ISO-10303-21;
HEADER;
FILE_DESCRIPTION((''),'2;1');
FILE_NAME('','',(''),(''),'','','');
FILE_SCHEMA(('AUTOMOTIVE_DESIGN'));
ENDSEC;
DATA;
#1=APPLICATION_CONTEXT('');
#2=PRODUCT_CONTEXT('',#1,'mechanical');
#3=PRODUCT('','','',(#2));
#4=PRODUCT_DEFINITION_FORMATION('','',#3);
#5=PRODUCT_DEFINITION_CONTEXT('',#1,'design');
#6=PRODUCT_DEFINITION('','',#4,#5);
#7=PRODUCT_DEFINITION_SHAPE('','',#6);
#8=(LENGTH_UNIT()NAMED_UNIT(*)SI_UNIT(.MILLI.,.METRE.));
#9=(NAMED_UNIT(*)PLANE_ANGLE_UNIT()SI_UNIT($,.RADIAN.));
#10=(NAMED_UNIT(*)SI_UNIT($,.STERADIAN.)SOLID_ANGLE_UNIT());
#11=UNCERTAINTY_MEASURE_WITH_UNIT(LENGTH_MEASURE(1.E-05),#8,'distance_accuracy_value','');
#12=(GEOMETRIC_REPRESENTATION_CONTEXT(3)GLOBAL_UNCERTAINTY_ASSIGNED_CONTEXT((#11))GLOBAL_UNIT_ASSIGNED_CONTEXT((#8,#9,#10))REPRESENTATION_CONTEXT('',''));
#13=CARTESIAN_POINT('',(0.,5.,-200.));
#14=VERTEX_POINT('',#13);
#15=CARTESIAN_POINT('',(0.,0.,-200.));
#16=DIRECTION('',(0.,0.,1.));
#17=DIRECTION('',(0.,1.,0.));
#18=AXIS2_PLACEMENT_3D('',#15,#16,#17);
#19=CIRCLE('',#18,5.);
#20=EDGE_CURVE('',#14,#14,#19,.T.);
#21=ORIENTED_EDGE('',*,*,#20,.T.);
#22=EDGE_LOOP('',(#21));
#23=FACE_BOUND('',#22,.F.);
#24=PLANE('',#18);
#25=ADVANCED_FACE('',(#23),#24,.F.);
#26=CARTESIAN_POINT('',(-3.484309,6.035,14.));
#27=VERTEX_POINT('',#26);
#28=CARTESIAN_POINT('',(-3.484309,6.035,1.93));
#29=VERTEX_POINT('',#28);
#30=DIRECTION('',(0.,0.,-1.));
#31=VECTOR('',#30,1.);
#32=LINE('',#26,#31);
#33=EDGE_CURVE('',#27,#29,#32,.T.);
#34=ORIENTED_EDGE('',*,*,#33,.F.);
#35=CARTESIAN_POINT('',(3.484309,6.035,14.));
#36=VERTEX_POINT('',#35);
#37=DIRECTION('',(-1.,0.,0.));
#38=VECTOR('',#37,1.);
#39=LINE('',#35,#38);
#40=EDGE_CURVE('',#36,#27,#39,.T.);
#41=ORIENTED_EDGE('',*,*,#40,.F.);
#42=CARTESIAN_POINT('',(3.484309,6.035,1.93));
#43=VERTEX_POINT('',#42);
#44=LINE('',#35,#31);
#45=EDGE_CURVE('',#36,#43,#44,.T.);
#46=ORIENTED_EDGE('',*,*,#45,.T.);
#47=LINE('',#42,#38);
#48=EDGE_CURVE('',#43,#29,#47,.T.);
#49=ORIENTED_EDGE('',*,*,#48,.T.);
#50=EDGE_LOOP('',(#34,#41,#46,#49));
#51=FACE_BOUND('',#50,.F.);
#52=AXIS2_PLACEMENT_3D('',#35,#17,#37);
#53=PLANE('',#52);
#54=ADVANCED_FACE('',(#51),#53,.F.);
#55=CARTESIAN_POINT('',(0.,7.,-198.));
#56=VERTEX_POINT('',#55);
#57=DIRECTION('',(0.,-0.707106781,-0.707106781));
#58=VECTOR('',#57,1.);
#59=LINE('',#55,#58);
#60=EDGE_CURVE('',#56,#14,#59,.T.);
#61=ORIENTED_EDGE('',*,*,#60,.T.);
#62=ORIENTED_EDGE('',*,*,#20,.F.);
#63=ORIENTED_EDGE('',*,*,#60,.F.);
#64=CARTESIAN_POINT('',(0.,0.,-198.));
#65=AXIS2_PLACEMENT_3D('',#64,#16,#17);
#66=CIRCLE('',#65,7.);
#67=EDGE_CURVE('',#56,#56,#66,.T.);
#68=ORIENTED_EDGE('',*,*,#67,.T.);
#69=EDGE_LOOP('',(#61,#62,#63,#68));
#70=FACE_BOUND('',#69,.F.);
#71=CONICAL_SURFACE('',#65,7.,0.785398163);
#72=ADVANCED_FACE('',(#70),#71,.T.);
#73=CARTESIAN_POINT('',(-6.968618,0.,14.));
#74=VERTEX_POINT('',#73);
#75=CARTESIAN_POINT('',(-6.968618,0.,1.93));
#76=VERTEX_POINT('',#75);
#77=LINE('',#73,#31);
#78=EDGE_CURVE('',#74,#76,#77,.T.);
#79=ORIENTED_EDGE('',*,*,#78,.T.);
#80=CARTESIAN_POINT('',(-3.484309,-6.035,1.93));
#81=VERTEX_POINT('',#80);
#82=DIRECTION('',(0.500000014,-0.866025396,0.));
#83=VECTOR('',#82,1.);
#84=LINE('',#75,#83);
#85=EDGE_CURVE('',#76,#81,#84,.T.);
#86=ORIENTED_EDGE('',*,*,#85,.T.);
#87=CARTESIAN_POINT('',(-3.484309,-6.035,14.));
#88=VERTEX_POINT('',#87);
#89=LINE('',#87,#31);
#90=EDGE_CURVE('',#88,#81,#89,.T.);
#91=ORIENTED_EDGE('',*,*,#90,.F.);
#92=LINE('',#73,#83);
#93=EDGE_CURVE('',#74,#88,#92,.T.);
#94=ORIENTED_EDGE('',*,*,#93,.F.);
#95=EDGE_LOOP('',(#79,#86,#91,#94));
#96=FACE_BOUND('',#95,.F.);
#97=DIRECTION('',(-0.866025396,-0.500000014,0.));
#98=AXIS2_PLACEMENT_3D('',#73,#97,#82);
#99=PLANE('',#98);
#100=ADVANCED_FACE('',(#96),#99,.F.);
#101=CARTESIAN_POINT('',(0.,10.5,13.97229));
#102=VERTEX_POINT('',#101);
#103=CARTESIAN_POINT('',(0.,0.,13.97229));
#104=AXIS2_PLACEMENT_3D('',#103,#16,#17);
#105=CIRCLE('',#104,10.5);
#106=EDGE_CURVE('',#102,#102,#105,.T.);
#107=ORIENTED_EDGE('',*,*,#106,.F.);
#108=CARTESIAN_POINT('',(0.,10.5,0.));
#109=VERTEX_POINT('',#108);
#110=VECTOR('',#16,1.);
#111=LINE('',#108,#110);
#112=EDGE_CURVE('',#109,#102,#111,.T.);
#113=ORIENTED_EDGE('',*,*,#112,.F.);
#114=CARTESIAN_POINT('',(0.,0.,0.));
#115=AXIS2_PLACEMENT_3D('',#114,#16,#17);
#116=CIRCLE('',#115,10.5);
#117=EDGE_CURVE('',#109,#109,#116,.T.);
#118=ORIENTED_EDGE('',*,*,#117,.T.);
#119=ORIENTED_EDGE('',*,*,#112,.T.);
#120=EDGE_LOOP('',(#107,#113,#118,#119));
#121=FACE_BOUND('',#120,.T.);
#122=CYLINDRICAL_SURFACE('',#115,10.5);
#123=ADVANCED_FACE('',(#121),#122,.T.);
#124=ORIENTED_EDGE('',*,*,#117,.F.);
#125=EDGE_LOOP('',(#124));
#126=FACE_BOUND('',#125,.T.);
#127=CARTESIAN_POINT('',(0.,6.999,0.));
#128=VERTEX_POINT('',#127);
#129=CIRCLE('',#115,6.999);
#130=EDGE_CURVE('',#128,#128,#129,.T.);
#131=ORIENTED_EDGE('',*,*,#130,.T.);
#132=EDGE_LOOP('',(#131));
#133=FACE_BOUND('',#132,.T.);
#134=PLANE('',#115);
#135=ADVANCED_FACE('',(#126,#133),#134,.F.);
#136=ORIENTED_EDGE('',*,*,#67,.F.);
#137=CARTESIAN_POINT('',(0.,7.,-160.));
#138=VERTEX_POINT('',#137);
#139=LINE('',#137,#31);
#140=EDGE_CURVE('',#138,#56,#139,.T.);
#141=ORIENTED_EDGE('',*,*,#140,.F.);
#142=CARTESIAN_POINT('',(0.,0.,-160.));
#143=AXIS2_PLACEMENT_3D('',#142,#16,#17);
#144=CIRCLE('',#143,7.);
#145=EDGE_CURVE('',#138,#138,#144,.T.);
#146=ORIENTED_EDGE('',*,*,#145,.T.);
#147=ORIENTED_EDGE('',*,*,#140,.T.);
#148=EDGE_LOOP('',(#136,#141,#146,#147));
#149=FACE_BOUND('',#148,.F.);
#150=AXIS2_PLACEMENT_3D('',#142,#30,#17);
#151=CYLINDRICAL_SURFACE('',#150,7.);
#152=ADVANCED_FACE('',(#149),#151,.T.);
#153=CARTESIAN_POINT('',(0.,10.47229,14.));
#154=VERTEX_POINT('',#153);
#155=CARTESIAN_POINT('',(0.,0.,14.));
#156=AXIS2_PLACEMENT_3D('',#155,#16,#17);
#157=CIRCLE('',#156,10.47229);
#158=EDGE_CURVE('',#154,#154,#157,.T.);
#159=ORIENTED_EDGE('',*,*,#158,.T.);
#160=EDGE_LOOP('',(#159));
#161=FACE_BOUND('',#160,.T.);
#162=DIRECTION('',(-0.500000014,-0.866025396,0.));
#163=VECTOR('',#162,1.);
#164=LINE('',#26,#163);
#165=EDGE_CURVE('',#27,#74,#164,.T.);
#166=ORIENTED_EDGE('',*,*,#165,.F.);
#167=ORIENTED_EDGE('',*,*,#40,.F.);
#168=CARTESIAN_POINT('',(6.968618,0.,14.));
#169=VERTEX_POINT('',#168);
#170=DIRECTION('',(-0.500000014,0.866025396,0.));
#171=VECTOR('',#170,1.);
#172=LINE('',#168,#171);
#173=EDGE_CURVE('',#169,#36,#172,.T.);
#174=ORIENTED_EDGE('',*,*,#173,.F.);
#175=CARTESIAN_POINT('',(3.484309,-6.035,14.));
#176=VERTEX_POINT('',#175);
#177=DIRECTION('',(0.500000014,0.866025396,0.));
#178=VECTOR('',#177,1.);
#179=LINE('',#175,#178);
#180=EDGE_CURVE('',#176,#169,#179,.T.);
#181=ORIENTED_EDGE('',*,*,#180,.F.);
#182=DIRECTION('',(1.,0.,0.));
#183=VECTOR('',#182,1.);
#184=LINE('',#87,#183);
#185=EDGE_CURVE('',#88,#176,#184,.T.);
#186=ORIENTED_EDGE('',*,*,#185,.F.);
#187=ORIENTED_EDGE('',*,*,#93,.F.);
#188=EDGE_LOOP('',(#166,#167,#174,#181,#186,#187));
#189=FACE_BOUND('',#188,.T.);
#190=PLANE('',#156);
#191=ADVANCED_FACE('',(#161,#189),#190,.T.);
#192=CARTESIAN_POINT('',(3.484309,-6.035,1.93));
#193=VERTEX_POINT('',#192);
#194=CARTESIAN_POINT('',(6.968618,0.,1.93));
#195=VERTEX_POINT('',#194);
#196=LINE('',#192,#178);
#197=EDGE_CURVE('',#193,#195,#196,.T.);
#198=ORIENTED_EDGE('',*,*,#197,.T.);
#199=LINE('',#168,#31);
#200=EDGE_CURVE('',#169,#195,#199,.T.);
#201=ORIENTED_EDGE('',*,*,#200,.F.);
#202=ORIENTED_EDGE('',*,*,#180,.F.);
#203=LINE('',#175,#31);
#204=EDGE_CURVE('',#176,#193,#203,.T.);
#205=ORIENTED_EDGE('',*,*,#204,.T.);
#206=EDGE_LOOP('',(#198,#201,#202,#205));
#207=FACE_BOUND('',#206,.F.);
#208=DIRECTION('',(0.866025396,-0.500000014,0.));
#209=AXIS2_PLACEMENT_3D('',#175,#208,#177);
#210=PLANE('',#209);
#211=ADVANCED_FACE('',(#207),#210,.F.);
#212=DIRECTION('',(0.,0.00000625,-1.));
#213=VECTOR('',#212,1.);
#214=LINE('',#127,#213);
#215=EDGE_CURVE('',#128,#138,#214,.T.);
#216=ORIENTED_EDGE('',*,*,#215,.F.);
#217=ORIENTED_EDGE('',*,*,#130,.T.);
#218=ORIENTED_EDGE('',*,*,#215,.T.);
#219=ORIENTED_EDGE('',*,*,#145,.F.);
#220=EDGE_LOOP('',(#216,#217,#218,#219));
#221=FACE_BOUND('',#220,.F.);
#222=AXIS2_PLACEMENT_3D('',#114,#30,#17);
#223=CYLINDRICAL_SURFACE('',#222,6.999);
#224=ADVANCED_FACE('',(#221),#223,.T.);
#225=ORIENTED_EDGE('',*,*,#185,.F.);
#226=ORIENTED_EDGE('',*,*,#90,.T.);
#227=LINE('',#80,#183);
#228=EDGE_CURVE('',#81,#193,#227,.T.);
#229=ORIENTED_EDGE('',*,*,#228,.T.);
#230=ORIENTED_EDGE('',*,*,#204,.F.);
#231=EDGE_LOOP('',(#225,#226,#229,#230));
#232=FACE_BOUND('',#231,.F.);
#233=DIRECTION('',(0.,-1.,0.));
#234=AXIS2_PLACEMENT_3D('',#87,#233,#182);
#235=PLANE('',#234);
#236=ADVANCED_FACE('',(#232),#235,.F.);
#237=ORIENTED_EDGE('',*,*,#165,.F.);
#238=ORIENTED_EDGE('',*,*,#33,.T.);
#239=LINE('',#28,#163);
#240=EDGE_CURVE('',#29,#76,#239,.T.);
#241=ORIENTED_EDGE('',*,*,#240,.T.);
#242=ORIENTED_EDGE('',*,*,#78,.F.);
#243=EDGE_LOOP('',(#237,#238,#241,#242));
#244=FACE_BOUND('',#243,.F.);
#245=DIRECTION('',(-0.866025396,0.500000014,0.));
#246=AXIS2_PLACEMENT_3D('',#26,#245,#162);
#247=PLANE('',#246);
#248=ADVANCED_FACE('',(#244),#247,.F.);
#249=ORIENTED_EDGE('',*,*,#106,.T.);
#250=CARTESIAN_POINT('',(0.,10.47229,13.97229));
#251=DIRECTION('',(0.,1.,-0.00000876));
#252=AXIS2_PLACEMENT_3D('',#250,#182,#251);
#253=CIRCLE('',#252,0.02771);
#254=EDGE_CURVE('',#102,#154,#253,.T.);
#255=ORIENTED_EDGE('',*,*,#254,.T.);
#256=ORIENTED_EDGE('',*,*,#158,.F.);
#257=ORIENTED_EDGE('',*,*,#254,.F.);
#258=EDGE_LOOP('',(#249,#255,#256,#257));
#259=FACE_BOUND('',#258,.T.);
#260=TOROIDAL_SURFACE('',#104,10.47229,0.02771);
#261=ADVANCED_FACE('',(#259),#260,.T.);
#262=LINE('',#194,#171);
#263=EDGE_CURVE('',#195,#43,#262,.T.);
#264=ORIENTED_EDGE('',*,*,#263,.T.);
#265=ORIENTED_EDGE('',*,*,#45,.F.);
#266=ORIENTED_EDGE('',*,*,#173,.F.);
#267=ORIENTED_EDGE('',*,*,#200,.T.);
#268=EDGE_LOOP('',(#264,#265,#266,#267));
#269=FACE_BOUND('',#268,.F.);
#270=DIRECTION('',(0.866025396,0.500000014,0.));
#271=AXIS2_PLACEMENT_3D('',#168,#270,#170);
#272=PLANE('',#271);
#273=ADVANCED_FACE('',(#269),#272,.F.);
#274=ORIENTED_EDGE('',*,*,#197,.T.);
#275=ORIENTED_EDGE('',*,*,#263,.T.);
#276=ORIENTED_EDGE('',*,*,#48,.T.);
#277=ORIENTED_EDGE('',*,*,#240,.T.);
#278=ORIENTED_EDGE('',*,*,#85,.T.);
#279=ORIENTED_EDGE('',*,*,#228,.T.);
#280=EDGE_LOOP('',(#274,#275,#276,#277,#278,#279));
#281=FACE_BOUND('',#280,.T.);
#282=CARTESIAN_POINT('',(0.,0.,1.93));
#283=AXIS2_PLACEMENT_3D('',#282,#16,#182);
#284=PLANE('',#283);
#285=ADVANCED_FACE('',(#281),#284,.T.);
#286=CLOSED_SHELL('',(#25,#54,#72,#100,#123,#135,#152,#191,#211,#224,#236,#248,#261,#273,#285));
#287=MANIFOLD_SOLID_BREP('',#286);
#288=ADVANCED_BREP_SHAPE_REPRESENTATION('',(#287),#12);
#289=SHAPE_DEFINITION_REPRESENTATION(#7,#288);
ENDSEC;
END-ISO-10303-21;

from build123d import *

# Parameters (mm, degrees)
POCKET_DEPTH = 12.07


with BuildPart() as part:
    # Sketch → Revolve (revolve)
    with BuildSketch(Plane.YZ):
        with BuildLine():
            Line((6.999, 0), (10.5, 0))
            Line((10.5, 0), (10.5, 13.97229))
            ThreePointArc((10.5, 13.97229), (10.491884, 13.991884), (10.47229, 14))
            Line((10.47229, 14), (0, 14))
            Line((0, -200), (0, 14))
            Line((5, -200), (0, -200))
            Line((7, -198), (5, -200))
            Line((7, -160), (7, -198))
            Line((6.999, 0), (7, -160))
        make_face()
    revolve(axis=Axis((0, 0, 0), (0, 0, 1)))

    # Sketch001 → Pocket (cut)
    with BuildSketch(Plane.XY.offset(14)):
        Polygon((6.968618, 0), (3.484309, 6.035), (-3.484309, 6.035), (-6.968618, 0), (-3.484309, -6.035), (3.484309, -6.035), align=None)
    extrude(amount=-POCKET_DEPTH, mode=Mode.SUBTRACT)


solid = part.part
